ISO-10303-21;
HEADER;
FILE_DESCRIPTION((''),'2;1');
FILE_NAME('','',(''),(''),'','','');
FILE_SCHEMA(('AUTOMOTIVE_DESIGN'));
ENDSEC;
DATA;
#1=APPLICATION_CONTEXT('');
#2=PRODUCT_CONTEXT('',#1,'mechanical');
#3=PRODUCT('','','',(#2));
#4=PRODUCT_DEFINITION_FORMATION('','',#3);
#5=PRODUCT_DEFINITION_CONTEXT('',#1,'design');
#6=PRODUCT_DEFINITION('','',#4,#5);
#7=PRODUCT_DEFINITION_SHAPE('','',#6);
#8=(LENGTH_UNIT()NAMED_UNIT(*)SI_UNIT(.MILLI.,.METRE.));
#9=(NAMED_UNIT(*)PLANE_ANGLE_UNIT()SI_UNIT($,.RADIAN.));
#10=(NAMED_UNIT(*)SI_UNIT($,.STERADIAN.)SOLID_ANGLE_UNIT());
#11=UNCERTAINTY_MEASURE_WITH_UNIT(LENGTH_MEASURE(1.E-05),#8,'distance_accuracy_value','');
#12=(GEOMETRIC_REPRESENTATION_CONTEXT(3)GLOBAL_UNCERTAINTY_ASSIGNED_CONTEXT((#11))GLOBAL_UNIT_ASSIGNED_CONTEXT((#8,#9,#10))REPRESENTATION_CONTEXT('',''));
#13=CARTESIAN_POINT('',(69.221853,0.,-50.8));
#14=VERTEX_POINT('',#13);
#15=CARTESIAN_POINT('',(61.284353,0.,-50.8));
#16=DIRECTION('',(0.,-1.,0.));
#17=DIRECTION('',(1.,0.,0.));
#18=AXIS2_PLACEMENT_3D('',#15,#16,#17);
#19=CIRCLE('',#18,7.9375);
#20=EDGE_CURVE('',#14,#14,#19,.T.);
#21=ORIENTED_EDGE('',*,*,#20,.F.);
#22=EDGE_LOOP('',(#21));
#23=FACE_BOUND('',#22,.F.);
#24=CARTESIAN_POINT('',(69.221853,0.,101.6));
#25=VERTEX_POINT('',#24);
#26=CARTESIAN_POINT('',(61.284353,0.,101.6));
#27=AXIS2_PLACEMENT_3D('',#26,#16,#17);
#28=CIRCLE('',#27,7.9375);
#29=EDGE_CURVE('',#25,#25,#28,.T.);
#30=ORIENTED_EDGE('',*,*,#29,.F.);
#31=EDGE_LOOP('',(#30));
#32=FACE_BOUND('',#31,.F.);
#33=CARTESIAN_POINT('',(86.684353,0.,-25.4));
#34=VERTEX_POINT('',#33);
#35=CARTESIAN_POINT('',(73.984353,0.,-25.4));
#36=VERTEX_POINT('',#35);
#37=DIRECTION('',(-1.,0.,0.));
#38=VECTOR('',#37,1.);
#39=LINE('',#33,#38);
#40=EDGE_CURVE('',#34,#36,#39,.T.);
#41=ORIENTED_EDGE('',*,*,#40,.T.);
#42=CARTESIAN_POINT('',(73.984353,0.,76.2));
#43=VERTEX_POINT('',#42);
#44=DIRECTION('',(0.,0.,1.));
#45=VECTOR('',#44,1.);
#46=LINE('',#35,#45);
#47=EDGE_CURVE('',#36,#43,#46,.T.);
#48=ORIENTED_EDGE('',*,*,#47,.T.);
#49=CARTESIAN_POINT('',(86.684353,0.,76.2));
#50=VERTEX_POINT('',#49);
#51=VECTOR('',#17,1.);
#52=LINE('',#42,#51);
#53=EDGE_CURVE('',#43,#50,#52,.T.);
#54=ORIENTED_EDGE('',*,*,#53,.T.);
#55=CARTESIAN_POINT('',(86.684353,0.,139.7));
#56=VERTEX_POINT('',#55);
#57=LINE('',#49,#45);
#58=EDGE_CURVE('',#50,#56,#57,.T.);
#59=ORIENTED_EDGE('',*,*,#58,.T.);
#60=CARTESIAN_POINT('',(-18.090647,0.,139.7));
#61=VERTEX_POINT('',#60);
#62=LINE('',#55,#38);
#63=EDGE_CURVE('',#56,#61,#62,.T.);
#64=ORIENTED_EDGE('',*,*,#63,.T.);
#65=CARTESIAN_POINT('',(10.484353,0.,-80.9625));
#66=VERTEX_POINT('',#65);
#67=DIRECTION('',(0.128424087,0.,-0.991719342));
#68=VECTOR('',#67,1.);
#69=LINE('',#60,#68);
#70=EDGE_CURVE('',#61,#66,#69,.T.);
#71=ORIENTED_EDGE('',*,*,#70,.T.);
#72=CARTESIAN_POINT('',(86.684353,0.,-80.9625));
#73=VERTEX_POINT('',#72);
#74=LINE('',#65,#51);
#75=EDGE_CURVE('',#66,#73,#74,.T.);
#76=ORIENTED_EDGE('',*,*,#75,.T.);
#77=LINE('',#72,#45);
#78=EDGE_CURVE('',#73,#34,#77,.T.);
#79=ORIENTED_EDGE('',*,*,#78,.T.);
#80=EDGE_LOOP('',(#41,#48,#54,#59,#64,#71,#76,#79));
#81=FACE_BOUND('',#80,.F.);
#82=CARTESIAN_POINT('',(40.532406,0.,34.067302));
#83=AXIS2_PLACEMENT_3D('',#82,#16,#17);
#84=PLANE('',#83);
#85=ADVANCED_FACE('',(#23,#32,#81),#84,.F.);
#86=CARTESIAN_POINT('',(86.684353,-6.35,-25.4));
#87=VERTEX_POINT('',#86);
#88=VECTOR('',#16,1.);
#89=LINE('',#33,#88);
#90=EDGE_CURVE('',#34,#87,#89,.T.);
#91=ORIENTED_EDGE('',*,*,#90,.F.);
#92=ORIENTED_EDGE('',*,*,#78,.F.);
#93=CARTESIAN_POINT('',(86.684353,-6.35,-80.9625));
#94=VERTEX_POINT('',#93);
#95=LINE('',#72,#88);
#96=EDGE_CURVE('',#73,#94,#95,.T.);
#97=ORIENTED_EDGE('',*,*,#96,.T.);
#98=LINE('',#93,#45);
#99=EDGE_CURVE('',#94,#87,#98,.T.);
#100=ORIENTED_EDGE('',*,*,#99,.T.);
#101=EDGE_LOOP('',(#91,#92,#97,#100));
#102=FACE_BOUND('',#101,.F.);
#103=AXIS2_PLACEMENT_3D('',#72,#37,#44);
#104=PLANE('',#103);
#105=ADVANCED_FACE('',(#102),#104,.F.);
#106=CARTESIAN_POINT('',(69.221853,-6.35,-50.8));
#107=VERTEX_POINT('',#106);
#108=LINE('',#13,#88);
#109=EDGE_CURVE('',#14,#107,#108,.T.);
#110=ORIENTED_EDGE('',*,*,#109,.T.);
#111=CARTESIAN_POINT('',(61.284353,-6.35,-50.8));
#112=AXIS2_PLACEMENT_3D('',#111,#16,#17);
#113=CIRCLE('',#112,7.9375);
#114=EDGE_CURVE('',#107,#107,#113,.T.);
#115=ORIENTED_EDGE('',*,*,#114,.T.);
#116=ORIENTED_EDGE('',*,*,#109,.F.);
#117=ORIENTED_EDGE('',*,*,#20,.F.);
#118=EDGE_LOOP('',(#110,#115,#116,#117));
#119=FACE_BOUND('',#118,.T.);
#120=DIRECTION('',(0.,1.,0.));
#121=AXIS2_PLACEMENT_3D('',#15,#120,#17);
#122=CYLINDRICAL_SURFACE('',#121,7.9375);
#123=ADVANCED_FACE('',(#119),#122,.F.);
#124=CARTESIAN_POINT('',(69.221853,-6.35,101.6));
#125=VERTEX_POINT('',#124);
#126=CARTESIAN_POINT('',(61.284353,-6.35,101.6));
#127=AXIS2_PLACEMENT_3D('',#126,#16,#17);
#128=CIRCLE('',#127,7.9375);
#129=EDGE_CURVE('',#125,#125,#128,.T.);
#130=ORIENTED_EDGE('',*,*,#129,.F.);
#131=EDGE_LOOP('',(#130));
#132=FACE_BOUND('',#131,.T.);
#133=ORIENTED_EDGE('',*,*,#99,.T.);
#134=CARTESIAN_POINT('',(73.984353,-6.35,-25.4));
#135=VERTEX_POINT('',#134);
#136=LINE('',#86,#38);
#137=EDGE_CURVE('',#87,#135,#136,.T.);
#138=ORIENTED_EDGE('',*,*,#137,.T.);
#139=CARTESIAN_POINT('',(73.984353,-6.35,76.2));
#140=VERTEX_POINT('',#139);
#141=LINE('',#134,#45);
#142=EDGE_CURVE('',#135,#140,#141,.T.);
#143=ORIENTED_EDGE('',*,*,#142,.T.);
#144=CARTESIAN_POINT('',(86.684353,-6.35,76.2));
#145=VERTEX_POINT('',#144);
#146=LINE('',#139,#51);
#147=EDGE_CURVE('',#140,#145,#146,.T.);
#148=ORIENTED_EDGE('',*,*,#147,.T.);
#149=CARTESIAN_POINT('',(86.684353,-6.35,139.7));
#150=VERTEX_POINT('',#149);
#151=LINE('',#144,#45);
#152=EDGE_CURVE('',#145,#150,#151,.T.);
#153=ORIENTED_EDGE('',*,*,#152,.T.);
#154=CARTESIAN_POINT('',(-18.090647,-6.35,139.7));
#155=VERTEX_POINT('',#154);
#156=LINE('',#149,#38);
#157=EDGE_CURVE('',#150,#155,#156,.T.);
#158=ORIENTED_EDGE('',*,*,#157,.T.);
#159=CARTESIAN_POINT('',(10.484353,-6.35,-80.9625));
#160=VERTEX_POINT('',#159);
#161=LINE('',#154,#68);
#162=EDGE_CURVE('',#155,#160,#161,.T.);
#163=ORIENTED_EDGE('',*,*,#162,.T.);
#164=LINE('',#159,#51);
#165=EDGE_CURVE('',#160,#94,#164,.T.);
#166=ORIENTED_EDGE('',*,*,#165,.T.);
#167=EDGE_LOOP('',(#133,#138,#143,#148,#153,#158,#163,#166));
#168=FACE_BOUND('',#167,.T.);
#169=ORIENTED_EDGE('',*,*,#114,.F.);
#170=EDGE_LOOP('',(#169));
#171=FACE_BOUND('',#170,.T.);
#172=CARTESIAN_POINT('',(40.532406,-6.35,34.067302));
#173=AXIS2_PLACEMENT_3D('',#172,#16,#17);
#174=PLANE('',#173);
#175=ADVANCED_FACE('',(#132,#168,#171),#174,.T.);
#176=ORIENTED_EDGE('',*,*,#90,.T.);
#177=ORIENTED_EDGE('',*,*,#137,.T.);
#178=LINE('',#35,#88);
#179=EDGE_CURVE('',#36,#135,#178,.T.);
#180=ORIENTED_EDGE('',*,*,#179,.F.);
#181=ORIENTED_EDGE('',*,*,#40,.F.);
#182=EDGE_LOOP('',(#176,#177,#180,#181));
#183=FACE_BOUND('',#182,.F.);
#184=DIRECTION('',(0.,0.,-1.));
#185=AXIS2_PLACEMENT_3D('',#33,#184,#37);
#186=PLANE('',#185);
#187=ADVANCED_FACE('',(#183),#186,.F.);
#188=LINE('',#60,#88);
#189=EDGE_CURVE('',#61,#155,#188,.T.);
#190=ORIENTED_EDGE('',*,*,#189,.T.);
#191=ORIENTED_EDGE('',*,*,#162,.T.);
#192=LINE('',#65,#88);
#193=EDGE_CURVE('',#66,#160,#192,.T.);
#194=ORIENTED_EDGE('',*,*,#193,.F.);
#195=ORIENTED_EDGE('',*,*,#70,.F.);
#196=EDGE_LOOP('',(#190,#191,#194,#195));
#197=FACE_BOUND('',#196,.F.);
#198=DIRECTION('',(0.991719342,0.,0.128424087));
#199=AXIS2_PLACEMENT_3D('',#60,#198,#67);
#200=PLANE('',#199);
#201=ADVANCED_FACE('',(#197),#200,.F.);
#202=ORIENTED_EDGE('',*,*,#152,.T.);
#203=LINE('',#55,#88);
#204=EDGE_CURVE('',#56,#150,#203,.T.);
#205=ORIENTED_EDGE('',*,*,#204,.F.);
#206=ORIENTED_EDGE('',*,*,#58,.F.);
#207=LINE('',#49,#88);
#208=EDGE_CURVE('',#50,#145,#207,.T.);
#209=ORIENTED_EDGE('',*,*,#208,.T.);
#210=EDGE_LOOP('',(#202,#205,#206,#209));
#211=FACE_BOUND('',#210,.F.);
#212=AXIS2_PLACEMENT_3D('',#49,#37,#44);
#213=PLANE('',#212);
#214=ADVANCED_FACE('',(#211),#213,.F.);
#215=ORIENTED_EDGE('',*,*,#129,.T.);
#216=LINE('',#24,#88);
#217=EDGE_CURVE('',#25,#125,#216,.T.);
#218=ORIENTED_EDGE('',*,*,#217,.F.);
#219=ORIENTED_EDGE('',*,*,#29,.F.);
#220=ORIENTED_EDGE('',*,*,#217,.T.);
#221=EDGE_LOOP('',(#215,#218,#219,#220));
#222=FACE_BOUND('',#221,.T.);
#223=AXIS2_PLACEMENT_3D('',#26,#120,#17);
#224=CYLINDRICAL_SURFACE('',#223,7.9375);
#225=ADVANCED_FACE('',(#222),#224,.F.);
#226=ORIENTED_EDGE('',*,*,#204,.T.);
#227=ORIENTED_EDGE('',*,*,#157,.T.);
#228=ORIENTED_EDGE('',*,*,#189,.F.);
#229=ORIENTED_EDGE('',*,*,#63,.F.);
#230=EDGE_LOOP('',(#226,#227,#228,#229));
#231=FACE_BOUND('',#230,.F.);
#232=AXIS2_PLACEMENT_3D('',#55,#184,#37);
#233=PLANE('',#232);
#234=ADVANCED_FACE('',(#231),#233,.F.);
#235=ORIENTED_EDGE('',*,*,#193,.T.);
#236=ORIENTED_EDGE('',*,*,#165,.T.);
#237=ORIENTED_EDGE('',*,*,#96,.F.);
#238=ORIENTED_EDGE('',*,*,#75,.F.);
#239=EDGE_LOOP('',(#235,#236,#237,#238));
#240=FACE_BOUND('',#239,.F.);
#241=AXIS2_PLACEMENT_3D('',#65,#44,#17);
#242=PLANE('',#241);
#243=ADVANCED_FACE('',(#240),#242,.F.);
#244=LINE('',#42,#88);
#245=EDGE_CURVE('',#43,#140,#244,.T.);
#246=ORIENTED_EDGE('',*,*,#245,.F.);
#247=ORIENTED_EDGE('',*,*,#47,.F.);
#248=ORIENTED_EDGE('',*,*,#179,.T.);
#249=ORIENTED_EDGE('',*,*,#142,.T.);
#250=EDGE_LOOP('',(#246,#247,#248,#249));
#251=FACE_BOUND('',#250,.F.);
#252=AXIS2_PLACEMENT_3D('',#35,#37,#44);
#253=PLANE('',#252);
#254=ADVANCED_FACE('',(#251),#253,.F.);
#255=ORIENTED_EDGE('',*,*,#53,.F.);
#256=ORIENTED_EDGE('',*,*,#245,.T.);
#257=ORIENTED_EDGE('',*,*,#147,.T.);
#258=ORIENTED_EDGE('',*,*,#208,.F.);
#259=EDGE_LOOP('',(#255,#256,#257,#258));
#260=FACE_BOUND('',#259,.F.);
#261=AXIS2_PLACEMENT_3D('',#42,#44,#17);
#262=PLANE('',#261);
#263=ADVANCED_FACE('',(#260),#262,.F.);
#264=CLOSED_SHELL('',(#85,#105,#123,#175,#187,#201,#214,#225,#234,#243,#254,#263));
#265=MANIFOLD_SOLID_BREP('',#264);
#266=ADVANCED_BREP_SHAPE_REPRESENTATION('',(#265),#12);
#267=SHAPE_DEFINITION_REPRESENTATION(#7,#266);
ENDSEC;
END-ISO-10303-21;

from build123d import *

# Parameters (mm, degrees)
F0_R     = 7.9375
F1_DEPTH = 6.35


with BuildPart() as f1:
    # F0 (on Front) → F1 (new body)
    with BuildSketch(Plane.XZ):
        Polygon((86.684353, 139.7), (-18.090647, 139.7), (10.484353, -80.9625), (86.684353, -80.9625), (86.684353, -25.4), (73.984353, -25.4), (73.984353, 76.2), (86.684353, 76.2), align=None)
        with Locations((61.284353, -50.8)):
            Circle(F0_R, mode=Mode.SUBTRACT)
        with Locations((61.284353, 101.6)):
            Circle(F0_R, mode=Mode.SUBTRACT)
    extrude(amount=F1_DEPTH)


solid = f1.part
